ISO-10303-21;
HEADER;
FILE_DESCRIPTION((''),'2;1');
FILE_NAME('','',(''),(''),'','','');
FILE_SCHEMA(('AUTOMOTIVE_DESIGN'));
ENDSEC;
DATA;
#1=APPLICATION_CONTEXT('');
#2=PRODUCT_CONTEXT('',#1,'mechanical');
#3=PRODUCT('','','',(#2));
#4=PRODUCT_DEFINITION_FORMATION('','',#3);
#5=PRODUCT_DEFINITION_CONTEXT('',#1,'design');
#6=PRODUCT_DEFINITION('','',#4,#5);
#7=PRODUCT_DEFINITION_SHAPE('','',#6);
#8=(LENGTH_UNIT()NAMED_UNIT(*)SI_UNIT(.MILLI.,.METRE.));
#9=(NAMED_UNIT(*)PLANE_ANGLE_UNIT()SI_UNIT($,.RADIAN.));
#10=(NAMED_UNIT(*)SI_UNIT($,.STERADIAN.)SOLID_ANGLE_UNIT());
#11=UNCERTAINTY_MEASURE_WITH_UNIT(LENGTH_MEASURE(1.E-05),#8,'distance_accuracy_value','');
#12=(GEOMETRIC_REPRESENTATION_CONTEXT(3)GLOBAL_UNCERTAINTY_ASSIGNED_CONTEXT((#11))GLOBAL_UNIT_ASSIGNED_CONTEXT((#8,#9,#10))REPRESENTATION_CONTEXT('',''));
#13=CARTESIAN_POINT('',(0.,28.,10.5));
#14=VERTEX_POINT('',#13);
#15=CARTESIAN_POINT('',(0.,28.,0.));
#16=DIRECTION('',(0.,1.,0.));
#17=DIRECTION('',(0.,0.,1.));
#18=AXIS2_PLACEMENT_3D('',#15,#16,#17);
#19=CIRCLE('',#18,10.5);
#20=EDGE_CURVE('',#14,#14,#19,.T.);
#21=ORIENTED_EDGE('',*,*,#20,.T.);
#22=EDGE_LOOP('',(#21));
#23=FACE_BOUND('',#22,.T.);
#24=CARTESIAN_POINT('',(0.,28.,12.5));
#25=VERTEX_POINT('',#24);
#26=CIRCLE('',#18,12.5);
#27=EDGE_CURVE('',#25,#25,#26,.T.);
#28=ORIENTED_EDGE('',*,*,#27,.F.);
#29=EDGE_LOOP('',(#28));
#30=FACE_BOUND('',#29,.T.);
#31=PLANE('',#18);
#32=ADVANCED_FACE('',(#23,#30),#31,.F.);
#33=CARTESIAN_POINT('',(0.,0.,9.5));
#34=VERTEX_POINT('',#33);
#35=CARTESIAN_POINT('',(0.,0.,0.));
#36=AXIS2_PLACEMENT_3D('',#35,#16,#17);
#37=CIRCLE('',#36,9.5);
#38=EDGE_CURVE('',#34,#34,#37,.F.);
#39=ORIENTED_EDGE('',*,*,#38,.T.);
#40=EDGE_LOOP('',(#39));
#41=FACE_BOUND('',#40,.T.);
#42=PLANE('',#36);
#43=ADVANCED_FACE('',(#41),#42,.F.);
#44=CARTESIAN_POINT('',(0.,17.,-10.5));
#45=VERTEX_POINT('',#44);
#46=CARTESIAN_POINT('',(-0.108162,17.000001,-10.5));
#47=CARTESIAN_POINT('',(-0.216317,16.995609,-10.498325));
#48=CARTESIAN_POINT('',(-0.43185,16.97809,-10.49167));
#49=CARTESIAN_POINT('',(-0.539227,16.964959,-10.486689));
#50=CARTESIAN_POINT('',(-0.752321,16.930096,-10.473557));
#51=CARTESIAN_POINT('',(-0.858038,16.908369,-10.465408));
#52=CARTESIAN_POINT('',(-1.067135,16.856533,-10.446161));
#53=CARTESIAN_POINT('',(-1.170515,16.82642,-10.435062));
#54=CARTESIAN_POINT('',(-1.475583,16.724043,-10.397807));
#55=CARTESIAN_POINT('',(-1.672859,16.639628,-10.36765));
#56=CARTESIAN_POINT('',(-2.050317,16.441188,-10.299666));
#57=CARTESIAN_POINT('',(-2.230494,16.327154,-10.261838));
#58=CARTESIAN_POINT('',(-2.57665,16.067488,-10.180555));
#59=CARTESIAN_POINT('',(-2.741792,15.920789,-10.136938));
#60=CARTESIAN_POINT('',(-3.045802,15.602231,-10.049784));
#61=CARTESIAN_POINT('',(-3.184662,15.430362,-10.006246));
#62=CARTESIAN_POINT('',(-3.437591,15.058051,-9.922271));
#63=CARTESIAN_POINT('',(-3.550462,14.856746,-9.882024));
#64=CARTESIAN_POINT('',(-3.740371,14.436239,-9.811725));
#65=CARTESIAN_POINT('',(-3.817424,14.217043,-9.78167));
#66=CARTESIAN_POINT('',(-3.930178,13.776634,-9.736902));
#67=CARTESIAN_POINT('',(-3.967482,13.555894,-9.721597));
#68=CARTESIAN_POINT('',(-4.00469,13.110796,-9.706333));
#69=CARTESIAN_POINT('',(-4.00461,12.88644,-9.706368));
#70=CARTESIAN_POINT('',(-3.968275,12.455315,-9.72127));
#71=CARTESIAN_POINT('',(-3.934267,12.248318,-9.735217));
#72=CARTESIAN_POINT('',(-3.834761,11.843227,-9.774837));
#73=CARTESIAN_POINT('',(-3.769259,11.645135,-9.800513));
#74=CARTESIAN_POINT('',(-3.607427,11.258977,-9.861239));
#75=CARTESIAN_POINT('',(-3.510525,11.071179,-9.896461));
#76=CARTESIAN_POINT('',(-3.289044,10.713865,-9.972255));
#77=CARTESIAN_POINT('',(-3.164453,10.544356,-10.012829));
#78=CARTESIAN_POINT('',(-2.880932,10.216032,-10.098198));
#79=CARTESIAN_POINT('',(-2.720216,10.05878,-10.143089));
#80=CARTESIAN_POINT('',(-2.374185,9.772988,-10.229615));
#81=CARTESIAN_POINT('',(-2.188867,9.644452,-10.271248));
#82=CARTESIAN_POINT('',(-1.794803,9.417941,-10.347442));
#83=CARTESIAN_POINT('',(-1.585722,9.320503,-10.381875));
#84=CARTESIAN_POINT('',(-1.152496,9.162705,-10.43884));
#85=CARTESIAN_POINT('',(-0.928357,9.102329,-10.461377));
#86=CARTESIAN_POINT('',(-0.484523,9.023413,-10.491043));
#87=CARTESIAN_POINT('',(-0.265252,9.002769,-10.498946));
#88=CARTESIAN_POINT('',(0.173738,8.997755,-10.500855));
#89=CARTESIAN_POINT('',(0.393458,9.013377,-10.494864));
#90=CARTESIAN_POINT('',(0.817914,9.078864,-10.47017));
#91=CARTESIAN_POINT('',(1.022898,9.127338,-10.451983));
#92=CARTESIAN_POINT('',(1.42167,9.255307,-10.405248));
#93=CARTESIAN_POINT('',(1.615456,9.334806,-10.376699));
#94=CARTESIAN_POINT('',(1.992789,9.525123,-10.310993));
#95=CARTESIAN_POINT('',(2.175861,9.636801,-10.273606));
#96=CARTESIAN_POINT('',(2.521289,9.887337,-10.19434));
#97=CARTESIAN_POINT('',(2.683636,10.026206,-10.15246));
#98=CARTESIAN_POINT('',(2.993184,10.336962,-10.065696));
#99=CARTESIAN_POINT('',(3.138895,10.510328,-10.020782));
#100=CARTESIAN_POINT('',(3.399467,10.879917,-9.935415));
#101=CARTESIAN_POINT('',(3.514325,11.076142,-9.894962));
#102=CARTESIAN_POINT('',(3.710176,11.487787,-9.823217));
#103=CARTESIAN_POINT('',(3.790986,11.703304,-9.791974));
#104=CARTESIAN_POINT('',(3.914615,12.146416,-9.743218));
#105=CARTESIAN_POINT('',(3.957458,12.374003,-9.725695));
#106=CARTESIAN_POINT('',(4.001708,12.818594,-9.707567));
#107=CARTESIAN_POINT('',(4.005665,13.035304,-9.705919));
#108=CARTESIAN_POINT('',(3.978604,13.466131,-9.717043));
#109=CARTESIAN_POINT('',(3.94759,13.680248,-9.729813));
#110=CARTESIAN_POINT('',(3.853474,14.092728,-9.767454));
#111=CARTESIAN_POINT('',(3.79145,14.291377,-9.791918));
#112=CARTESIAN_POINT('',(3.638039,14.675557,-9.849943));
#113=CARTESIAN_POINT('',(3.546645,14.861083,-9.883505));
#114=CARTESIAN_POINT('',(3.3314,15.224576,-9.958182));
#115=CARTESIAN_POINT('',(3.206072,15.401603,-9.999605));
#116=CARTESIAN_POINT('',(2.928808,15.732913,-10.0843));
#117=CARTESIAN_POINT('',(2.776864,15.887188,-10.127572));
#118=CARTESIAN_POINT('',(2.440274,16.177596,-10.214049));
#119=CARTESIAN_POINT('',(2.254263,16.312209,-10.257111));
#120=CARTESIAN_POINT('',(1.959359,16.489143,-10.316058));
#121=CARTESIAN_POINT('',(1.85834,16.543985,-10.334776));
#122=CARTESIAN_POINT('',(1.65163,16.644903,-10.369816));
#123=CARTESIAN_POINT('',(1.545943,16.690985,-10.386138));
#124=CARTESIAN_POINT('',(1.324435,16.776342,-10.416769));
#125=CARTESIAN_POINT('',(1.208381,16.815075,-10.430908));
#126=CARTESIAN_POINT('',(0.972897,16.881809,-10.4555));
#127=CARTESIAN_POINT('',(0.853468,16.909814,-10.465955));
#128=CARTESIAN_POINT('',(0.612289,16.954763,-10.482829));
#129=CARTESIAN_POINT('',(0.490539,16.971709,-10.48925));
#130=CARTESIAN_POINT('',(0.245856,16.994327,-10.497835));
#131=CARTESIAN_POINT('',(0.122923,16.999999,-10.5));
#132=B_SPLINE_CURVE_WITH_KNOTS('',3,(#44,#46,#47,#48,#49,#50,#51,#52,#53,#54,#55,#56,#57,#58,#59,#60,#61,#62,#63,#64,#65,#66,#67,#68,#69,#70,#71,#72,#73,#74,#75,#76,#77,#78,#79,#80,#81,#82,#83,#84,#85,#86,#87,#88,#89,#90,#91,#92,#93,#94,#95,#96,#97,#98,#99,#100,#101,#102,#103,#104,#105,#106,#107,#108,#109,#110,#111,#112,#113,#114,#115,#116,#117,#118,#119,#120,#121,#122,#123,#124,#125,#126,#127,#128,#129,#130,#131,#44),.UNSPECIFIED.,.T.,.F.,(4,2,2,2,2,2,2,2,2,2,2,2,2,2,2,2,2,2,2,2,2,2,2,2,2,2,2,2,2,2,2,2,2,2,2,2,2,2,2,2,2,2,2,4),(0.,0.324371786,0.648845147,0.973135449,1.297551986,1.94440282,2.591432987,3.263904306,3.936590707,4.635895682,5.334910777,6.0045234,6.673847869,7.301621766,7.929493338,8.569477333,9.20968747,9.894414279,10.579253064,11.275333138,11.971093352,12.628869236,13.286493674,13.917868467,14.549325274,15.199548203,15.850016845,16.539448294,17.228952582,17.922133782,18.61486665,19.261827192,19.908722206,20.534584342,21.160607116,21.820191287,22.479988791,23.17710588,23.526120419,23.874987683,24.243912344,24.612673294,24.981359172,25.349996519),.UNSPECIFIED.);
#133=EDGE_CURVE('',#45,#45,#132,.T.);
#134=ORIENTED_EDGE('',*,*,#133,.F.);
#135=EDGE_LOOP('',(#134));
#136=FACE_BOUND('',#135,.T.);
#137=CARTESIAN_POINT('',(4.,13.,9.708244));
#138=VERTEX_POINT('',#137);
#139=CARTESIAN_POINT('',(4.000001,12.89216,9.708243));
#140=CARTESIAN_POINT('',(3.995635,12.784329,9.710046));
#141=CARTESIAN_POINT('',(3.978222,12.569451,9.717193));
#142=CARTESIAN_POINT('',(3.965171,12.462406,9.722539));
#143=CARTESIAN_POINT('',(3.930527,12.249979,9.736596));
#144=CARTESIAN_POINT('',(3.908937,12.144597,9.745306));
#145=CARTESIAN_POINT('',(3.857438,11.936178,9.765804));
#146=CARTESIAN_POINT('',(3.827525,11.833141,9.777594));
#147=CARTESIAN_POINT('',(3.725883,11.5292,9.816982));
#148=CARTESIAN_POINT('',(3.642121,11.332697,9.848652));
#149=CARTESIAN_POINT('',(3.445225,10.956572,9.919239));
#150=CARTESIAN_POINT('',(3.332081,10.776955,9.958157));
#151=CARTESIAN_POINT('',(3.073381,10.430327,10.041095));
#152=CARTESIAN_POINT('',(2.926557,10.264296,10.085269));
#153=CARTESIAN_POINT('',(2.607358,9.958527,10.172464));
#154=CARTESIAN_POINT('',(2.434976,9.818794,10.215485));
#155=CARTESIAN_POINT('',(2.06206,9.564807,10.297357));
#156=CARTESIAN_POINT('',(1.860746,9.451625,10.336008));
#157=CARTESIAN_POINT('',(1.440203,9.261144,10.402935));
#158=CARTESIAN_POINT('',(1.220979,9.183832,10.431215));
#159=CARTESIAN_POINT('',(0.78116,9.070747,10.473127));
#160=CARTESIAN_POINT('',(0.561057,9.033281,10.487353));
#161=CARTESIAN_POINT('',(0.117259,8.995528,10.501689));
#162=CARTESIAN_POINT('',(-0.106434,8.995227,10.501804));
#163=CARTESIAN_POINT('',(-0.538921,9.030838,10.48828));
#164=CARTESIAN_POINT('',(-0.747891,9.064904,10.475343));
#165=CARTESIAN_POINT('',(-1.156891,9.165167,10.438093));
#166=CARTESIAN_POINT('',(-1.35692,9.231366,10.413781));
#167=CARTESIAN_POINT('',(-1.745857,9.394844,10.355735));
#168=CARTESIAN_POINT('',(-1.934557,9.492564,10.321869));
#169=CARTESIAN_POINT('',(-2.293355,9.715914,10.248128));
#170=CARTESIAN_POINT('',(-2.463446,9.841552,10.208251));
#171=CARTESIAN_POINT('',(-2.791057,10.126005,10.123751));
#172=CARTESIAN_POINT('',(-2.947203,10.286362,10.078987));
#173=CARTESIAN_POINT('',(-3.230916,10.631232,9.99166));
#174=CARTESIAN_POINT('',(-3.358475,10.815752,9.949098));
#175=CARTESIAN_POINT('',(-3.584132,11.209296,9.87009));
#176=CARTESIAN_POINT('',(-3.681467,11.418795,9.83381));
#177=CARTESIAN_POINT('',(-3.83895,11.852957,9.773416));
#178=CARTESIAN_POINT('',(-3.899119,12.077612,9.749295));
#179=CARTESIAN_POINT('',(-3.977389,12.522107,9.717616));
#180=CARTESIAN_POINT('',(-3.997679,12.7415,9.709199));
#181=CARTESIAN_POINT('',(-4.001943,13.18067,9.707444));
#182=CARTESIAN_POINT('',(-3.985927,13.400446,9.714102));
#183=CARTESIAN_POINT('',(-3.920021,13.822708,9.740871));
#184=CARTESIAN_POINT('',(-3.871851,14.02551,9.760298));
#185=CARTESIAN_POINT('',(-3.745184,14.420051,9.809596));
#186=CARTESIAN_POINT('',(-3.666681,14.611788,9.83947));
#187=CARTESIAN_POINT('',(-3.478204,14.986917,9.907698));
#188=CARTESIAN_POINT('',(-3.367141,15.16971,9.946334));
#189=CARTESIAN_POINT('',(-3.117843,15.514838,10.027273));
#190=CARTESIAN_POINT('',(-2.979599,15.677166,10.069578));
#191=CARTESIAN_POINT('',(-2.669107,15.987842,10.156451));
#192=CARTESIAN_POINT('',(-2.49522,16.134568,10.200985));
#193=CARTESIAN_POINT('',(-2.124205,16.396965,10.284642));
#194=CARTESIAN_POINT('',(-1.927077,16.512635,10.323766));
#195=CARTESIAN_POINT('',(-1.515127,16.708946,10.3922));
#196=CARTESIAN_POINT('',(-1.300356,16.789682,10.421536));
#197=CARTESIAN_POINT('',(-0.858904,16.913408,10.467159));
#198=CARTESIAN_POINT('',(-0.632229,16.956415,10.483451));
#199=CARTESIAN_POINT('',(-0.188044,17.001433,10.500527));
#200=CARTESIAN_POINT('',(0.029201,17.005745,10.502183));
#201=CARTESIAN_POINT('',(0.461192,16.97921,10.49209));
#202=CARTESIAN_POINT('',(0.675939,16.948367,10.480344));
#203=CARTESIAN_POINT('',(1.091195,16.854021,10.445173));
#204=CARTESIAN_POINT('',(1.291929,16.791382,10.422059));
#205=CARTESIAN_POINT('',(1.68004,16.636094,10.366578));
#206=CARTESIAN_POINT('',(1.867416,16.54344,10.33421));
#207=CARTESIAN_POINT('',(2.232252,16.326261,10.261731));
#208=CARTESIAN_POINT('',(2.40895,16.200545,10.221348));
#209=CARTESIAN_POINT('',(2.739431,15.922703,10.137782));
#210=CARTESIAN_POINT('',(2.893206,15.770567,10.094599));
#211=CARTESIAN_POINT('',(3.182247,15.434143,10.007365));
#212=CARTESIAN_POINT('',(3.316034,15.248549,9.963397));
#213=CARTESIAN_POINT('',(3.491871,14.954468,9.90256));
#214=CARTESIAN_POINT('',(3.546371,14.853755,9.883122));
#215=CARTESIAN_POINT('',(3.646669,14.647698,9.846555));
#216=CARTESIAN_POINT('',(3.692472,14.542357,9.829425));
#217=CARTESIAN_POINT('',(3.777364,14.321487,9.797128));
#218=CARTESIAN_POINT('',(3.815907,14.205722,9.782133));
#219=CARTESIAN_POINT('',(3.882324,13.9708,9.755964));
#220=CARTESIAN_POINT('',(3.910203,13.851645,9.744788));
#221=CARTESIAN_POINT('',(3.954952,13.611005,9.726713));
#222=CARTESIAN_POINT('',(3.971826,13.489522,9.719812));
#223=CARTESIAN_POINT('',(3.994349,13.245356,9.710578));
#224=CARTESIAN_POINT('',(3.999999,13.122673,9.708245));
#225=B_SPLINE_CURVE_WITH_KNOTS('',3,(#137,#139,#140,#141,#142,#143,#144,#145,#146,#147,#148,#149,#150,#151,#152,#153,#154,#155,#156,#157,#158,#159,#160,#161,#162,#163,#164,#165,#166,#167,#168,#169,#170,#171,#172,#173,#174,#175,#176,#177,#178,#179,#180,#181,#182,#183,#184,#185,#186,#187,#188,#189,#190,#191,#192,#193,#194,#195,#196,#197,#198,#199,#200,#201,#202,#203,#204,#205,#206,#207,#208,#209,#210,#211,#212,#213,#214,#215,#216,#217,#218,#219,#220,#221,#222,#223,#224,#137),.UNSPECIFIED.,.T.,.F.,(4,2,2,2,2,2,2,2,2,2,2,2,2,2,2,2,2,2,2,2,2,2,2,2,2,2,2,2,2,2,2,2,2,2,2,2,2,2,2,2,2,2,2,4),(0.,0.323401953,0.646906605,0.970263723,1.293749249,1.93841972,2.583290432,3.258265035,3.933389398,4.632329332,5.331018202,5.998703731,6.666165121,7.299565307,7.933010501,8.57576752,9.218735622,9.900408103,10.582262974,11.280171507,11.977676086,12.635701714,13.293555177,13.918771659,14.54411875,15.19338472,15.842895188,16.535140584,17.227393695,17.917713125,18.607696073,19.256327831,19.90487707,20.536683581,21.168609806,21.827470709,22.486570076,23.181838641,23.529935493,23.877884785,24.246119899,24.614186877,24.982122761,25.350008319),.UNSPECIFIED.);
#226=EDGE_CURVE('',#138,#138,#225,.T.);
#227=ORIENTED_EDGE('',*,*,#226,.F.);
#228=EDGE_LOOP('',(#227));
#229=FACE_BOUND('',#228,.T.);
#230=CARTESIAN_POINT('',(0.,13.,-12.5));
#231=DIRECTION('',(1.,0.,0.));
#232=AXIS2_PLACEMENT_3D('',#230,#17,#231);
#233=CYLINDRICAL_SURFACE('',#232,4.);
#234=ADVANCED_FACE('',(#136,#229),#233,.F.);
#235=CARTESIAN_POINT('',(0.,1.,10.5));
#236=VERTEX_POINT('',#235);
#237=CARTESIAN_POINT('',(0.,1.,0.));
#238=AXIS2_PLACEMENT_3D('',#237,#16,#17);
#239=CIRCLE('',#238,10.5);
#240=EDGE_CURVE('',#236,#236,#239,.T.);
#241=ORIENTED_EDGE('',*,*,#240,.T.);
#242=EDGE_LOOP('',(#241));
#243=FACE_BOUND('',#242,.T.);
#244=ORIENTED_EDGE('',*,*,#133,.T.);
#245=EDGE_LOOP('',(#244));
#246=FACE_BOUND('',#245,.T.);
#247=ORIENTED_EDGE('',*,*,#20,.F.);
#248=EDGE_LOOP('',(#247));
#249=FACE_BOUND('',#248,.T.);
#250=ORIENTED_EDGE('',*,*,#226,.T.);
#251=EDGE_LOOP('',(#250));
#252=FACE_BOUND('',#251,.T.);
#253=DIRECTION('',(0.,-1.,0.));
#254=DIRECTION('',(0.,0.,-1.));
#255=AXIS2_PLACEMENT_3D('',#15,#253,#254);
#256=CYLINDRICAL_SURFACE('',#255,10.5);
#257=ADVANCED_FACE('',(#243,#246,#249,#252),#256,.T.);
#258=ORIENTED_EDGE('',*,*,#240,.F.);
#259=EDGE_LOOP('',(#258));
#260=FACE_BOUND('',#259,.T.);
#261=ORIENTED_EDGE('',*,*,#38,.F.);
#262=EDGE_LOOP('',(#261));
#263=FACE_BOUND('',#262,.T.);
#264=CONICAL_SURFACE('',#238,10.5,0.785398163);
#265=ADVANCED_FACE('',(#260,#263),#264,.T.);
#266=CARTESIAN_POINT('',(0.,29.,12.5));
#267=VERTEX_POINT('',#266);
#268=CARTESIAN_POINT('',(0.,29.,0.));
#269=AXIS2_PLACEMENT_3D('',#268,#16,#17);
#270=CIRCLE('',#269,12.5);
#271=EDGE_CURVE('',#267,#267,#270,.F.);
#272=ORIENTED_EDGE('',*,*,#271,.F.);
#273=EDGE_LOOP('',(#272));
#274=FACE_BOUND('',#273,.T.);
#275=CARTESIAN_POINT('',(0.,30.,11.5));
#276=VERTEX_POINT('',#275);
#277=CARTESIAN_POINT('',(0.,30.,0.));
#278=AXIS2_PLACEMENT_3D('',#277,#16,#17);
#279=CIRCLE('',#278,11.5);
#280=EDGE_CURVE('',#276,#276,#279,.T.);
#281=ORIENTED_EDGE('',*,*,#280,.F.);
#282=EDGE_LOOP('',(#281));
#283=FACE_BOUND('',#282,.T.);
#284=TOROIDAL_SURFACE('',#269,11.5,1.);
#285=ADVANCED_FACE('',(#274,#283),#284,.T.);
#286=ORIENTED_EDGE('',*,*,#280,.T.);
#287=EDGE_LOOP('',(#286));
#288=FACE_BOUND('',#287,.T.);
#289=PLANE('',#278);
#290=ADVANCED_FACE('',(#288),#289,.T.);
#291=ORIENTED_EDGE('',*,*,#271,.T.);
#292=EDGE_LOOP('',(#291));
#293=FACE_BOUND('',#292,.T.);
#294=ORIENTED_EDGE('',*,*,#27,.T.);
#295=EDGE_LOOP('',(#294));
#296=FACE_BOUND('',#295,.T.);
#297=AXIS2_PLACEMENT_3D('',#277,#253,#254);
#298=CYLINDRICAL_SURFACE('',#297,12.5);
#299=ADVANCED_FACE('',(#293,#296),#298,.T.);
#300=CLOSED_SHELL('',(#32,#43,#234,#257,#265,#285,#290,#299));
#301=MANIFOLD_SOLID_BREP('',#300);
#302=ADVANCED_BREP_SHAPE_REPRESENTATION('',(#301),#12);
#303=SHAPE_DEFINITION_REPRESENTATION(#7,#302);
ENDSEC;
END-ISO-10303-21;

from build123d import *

# Parameters (mm, degrees)
SKETCH_1_R               = 10.5
EXTRUDE_1_DEPTH          = 28
SKETCH_2_R               = 12.5
EXTRUDE_2_DEPTH          = 2
FILLET_1_R               = 1
CHAMFER_1_SIZE           = 1
CUT_EXTRUDE_1_DEPTH      = 35.820970729
CUT_EXTRUDE_1_DEPTH_BACK = 35.820970729
SKETCH_3_R               = 4


with BuildPart() as part:
    # Эскиз1 → Бобышка-Вытянуть1 (new body)
    with BuildSketch(Plane(origin=(0, 0, 0), x_dir=(1, 0, 0), z_dir=(0, 1, 0))):
        with Locations(Location((0, 0, 0), (0, 0, 270))):
            Circle(SKETCH_1_R)
    extrude(amount=EXTRUDE_1_DEPTH)

    # Эскиз2 → Бобышка-Вытянуть2 (add)
    with BuildSketch(Plane(origin=(0, 28, 0), x_dir=(1, 0, 0), z_dir=(0, 1, 0))):
        with Locations(Location((0, 0, 0), (0, 0, 270))):
            Circle(SKETCH_2_R)
    extrude(amount=EXTRUDE_2_DEPTH)

    # Скругление1
    fillet_1_edges = [part.edges().sort_by_distance(p)[0] for p in [
        (0, 30, -12.5),
    ]]
    fillet(fillet_1_edges, radius=FILLET_1_R)

    # Фаска1
    chamfer_1_edges = [part.edges().sort_by_distance(p)[0] for p in [
        (0, 0, -10.5),
    ]]
    chamfer(chamfer_1_edges, length=CHAMFER_1_SIZE)

    # Эскиз3 → Вырез-Вытянуть1 (cut, two sides: drawn at the far end of the back side and taken through both)
    with BuildSketch(Plane.XY.offset(-CUT_EXTRUDE_1_DEPTH_BACK)):
        with Locations(Location((0, 13, 0), (0, 0, 89.999999999))):
            Circle(SKETCH_3_R)
    extrude(amount=CUT_EXTRUDE_1_DEPTH + CUT_EXTRUDE_1_DEPTH_BACK, mode=Mode.SUBTRACT)


solid = part.part
